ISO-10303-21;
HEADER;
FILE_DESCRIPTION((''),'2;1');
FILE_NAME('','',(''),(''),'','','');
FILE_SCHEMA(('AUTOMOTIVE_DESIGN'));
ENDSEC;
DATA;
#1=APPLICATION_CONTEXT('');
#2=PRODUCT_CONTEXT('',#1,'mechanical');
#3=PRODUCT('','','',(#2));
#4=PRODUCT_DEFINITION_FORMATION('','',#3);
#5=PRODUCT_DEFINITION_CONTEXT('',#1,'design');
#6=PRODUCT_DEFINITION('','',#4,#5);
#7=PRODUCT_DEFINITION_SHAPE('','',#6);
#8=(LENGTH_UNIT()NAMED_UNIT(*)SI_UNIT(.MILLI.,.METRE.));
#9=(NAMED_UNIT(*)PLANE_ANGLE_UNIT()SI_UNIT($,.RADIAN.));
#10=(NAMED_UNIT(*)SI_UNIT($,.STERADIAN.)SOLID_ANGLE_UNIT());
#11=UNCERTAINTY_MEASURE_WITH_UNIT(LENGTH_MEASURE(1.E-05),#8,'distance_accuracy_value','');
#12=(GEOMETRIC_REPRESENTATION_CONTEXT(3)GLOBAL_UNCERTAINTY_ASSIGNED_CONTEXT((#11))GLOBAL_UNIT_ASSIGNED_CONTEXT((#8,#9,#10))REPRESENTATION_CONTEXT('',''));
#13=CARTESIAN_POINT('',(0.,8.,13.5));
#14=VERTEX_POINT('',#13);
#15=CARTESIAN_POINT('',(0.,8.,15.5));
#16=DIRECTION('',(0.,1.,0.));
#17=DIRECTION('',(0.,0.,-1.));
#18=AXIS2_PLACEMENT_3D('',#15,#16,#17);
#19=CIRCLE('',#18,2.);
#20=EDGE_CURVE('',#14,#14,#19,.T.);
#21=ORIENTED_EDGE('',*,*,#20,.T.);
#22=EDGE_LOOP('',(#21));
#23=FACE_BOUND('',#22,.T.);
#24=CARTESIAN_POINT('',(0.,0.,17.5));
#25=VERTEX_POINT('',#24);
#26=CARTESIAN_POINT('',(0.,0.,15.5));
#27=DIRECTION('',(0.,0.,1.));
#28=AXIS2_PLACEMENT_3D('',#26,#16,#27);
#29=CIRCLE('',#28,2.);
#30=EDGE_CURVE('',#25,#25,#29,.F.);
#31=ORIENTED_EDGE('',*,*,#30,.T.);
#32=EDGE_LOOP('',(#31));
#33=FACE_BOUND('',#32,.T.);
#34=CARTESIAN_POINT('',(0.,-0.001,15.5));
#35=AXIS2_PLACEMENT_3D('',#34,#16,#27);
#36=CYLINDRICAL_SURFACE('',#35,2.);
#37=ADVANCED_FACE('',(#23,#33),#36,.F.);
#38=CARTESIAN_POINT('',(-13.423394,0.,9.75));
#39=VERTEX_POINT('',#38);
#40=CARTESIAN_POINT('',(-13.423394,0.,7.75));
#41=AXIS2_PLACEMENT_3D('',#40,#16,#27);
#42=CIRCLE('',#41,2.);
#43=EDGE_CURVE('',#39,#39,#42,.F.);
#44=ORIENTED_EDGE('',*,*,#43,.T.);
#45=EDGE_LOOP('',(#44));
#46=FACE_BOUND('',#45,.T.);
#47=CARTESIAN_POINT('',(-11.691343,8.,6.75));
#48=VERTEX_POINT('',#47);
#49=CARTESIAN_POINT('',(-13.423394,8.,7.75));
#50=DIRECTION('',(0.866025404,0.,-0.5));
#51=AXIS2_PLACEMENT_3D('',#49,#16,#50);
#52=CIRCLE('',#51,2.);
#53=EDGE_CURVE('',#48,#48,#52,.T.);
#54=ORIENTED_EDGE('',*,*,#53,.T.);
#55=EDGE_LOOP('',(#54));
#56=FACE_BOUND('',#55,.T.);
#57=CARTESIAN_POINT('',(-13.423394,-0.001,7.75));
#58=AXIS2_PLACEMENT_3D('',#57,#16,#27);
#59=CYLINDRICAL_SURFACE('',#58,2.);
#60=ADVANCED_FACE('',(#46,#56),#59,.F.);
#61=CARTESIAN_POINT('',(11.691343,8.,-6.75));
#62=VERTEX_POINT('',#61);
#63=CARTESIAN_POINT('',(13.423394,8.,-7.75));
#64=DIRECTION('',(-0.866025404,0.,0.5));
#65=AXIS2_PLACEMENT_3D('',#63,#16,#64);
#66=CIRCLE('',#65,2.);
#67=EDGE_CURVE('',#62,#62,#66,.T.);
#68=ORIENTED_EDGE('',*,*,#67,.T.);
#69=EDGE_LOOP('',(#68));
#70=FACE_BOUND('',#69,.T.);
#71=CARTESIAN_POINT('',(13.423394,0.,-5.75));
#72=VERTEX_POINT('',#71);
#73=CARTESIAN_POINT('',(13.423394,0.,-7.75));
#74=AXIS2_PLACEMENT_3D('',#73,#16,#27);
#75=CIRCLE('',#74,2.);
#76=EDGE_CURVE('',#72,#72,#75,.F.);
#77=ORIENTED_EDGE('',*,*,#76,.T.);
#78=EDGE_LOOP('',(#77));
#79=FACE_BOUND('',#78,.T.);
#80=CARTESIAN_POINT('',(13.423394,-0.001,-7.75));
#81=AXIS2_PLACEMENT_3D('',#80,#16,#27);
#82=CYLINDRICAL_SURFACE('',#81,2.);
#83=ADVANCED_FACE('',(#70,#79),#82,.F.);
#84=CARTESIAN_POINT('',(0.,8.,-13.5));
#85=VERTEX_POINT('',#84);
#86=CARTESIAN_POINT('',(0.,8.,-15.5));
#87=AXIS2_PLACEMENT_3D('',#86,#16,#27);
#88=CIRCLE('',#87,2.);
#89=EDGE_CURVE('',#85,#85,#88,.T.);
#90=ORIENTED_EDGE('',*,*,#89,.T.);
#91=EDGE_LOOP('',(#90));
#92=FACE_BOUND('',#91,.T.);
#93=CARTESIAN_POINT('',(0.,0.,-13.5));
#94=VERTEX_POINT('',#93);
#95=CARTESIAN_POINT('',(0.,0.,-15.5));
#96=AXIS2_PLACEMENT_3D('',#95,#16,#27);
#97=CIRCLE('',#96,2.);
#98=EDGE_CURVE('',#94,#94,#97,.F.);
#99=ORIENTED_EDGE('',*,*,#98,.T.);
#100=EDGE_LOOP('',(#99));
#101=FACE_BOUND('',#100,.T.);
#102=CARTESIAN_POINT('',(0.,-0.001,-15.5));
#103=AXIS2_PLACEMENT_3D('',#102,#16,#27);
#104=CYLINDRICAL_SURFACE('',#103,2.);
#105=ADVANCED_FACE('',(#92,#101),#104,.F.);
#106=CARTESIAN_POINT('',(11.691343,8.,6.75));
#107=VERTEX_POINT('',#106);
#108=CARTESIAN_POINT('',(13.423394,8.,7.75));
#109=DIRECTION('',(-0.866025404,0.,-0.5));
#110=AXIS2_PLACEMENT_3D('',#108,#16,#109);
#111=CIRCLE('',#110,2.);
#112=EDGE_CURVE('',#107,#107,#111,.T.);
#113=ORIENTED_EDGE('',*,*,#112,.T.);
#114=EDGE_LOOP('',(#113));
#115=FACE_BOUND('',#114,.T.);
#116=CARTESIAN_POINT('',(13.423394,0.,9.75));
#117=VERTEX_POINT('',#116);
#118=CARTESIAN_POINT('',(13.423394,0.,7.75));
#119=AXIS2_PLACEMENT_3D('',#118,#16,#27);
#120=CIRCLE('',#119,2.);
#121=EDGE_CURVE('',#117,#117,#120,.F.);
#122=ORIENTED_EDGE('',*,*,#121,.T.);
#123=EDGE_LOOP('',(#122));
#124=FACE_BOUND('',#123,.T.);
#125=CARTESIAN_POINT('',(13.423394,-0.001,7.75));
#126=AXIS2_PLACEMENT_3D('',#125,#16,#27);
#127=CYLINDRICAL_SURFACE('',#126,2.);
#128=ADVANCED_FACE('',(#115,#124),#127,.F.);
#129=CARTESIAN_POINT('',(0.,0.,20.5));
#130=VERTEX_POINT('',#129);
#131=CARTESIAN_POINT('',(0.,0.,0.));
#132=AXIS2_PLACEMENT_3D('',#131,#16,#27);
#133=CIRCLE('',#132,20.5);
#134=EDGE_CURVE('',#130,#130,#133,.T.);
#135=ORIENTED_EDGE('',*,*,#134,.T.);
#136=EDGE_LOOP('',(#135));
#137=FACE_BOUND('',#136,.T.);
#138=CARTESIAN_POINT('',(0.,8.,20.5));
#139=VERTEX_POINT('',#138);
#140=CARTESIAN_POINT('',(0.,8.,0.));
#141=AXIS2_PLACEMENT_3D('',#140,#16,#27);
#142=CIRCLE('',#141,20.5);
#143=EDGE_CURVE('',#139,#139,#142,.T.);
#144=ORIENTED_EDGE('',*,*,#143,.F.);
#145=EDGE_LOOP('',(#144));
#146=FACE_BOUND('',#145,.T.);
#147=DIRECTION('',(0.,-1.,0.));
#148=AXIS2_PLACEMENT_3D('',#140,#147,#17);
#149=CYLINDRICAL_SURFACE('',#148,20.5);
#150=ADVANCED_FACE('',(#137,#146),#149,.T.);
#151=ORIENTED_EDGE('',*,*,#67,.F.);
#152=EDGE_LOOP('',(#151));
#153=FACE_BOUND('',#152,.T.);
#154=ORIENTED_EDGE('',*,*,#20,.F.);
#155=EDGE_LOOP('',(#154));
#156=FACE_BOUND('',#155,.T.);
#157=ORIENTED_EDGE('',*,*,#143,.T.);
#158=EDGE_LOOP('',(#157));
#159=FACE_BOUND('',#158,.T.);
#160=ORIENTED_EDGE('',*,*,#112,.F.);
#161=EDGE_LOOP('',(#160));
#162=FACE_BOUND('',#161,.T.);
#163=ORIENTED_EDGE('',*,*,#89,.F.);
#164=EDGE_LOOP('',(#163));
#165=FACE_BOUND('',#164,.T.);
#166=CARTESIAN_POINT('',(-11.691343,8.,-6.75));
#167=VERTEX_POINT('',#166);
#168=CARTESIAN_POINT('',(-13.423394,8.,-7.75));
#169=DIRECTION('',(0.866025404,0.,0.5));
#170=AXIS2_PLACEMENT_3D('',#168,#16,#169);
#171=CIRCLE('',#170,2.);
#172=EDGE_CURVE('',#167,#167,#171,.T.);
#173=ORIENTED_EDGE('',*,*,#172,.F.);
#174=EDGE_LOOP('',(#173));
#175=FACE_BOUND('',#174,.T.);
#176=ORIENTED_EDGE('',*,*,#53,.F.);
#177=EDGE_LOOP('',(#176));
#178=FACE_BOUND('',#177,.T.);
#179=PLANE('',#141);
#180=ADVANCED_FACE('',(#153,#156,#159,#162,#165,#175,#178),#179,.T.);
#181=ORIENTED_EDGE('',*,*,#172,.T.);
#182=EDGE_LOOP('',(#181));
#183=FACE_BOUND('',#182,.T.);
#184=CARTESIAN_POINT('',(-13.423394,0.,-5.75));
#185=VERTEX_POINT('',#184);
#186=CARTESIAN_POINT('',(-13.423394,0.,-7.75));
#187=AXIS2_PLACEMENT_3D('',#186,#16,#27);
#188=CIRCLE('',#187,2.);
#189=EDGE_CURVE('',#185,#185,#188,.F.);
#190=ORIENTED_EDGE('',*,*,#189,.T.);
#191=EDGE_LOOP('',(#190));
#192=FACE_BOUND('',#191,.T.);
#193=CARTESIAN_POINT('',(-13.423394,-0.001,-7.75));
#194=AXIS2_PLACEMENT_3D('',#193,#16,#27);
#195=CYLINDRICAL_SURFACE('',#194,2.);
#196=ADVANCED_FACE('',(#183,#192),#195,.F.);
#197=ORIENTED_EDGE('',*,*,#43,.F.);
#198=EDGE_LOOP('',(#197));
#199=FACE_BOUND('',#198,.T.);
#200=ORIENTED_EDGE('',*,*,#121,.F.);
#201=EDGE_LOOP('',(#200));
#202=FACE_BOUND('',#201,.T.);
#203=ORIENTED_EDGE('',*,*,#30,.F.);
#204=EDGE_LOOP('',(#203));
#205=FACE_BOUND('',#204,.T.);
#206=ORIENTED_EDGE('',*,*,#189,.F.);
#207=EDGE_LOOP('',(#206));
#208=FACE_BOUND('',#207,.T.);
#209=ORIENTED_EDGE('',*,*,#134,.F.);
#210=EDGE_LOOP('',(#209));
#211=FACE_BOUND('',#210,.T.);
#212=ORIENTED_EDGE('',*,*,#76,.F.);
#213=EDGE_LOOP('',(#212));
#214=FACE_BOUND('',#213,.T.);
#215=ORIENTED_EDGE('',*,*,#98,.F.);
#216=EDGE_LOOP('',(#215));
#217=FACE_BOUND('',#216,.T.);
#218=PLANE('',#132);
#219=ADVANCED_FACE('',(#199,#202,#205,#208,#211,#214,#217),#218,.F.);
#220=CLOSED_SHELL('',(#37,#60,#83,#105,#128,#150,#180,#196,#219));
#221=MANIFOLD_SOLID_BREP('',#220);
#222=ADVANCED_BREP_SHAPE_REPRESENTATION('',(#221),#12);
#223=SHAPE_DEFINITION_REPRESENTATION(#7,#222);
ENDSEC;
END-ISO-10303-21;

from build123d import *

# Parameters (mm, degrees)
SKETCH_1_R               = 20.5
EXTRUDE_1_DEPTH          = 8
CUT_EXTRUDE_1_REACH      = 32.075
SKETCH_2_R               = 2
PATTERN_CIRCULAR_1_COUNT = 6


with BuildPart() as part:
    # 草圖1 → 填料-伸長1 (new body)
    with BuildSketch(Plane(origin=(0, 0, 0), x_dir=(1, 0, 0), z_dir=(0, 1, 0))):
        with Locations(Location((0, 0, 0), (0, 0, 270))):
            Circle(SKETCH_1_R)
    extrude(amount=EXTRUDE_1_DEPTH)

    # 草圖2 → 除料-伸長1 (cut, up to next)
    with BuildSketch(Plane(origin=(0, 8, 0), x_dir=(1, 0, 0), z_dir=(0, 1, 0)), mode=Mode.PRIVATE) as cut_extrude_1_sk1:
        with Locations(Location((0, 15.5, 0), (0, 0, 270))):
            Circle(SKETCH_2_R)
    cut_extrude_1_tool1 = extrude(cut_extrude_1_sk1.sketch, amount=-CUT_EXTRUDE_1_REACH, mode=Mode.PRIVATE) & part.part
    cut_extrude_1 = cut_extrude_1_tool1.solids().sort_by_distance((0, 8, -15.5))[0]
    add(cut_extrude_1, mode=Mode.SUBTRACT)

    # 環狀複製排列1: 除料-伸長1 ×6 about axis
    pattern_circular_1_axis = Axis((0, 0, 0), (0, 1, 0))
    for i in range(1, PATTERN_CIRCULAR_1_COUNT):
        add(cut_extrude_1.rotate(pattern_circular_1_axis, i * 360 / PATTERN_CIRCULAR_1_COUNT), mode=Mode.SUBTRACT)


solid = part.part
